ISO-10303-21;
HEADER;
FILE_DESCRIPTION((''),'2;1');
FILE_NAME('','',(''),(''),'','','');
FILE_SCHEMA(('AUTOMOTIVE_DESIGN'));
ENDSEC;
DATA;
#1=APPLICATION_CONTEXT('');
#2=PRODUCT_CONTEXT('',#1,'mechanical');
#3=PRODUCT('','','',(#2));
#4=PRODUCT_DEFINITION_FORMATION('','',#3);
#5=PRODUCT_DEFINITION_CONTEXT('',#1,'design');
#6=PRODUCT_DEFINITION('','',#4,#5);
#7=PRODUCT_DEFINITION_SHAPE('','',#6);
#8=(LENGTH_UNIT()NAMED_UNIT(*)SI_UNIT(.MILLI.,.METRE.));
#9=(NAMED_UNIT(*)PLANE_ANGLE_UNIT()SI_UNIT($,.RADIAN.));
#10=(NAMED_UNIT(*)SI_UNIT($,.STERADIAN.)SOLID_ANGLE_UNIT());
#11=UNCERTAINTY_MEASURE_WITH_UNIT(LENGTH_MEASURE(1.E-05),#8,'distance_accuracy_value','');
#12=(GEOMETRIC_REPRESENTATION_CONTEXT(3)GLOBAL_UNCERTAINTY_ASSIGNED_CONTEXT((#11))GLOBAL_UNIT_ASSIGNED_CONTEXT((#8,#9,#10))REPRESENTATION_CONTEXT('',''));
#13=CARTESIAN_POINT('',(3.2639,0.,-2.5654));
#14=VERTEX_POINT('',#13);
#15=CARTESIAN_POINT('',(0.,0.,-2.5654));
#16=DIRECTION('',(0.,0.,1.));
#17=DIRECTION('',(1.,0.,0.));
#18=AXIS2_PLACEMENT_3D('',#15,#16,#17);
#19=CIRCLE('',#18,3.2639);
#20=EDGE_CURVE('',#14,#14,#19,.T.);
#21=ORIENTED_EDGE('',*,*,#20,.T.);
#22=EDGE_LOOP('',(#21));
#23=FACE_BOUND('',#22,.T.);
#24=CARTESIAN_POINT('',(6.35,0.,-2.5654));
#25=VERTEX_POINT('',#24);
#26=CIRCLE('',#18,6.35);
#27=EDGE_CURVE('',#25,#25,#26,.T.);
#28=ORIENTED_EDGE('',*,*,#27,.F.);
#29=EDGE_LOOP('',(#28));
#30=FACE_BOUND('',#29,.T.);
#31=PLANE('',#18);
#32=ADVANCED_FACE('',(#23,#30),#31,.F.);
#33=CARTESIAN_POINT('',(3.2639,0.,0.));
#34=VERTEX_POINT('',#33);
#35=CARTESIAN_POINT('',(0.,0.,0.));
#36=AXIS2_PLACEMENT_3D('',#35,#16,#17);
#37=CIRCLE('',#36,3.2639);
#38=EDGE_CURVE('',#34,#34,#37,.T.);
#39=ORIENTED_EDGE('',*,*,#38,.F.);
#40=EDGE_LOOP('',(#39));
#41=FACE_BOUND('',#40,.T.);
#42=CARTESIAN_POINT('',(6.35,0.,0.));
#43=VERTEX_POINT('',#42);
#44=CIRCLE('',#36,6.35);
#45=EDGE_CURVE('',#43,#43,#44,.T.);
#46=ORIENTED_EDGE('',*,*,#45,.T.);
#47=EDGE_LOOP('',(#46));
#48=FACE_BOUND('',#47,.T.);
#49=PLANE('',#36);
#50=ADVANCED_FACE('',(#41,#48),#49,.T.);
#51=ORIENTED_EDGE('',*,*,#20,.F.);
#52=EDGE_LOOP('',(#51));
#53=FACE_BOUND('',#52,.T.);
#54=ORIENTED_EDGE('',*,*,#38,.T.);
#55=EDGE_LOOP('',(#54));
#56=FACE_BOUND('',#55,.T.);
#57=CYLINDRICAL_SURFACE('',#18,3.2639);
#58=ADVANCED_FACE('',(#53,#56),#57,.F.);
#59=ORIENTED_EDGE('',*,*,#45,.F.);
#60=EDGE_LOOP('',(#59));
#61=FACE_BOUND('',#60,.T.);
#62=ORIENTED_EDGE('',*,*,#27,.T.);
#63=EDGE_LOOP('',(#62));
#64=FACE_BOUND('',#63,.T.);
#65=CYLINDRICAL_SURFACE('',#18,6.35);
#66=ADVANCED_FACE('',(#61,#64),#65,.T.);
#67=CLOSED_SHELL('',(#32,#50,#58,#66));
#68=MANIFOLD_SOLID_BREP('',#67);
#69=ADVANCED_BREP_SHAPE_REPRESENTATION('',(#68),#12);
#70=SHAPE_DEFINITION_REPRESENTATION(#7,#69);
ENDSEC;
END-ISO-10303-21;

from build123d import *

# Parameters (mm, degrees)
SKETCH1_R      = 6.35
SKETCH1_R_2    = 3.2639
EXTRUDE1_DEPTH = 2.5654


with BuildPart() as part:
    # Sketch1 → Extrude1 (new body)
    with BuildSketch(Plane.XY):
        Circle(SKETCH1_R)
        Circle(SKETCH1_R_2, mode=Mode.SUBTRACT)
    extrude(amount=-EXTRUDE1_DEPTH)


solid = part.part
